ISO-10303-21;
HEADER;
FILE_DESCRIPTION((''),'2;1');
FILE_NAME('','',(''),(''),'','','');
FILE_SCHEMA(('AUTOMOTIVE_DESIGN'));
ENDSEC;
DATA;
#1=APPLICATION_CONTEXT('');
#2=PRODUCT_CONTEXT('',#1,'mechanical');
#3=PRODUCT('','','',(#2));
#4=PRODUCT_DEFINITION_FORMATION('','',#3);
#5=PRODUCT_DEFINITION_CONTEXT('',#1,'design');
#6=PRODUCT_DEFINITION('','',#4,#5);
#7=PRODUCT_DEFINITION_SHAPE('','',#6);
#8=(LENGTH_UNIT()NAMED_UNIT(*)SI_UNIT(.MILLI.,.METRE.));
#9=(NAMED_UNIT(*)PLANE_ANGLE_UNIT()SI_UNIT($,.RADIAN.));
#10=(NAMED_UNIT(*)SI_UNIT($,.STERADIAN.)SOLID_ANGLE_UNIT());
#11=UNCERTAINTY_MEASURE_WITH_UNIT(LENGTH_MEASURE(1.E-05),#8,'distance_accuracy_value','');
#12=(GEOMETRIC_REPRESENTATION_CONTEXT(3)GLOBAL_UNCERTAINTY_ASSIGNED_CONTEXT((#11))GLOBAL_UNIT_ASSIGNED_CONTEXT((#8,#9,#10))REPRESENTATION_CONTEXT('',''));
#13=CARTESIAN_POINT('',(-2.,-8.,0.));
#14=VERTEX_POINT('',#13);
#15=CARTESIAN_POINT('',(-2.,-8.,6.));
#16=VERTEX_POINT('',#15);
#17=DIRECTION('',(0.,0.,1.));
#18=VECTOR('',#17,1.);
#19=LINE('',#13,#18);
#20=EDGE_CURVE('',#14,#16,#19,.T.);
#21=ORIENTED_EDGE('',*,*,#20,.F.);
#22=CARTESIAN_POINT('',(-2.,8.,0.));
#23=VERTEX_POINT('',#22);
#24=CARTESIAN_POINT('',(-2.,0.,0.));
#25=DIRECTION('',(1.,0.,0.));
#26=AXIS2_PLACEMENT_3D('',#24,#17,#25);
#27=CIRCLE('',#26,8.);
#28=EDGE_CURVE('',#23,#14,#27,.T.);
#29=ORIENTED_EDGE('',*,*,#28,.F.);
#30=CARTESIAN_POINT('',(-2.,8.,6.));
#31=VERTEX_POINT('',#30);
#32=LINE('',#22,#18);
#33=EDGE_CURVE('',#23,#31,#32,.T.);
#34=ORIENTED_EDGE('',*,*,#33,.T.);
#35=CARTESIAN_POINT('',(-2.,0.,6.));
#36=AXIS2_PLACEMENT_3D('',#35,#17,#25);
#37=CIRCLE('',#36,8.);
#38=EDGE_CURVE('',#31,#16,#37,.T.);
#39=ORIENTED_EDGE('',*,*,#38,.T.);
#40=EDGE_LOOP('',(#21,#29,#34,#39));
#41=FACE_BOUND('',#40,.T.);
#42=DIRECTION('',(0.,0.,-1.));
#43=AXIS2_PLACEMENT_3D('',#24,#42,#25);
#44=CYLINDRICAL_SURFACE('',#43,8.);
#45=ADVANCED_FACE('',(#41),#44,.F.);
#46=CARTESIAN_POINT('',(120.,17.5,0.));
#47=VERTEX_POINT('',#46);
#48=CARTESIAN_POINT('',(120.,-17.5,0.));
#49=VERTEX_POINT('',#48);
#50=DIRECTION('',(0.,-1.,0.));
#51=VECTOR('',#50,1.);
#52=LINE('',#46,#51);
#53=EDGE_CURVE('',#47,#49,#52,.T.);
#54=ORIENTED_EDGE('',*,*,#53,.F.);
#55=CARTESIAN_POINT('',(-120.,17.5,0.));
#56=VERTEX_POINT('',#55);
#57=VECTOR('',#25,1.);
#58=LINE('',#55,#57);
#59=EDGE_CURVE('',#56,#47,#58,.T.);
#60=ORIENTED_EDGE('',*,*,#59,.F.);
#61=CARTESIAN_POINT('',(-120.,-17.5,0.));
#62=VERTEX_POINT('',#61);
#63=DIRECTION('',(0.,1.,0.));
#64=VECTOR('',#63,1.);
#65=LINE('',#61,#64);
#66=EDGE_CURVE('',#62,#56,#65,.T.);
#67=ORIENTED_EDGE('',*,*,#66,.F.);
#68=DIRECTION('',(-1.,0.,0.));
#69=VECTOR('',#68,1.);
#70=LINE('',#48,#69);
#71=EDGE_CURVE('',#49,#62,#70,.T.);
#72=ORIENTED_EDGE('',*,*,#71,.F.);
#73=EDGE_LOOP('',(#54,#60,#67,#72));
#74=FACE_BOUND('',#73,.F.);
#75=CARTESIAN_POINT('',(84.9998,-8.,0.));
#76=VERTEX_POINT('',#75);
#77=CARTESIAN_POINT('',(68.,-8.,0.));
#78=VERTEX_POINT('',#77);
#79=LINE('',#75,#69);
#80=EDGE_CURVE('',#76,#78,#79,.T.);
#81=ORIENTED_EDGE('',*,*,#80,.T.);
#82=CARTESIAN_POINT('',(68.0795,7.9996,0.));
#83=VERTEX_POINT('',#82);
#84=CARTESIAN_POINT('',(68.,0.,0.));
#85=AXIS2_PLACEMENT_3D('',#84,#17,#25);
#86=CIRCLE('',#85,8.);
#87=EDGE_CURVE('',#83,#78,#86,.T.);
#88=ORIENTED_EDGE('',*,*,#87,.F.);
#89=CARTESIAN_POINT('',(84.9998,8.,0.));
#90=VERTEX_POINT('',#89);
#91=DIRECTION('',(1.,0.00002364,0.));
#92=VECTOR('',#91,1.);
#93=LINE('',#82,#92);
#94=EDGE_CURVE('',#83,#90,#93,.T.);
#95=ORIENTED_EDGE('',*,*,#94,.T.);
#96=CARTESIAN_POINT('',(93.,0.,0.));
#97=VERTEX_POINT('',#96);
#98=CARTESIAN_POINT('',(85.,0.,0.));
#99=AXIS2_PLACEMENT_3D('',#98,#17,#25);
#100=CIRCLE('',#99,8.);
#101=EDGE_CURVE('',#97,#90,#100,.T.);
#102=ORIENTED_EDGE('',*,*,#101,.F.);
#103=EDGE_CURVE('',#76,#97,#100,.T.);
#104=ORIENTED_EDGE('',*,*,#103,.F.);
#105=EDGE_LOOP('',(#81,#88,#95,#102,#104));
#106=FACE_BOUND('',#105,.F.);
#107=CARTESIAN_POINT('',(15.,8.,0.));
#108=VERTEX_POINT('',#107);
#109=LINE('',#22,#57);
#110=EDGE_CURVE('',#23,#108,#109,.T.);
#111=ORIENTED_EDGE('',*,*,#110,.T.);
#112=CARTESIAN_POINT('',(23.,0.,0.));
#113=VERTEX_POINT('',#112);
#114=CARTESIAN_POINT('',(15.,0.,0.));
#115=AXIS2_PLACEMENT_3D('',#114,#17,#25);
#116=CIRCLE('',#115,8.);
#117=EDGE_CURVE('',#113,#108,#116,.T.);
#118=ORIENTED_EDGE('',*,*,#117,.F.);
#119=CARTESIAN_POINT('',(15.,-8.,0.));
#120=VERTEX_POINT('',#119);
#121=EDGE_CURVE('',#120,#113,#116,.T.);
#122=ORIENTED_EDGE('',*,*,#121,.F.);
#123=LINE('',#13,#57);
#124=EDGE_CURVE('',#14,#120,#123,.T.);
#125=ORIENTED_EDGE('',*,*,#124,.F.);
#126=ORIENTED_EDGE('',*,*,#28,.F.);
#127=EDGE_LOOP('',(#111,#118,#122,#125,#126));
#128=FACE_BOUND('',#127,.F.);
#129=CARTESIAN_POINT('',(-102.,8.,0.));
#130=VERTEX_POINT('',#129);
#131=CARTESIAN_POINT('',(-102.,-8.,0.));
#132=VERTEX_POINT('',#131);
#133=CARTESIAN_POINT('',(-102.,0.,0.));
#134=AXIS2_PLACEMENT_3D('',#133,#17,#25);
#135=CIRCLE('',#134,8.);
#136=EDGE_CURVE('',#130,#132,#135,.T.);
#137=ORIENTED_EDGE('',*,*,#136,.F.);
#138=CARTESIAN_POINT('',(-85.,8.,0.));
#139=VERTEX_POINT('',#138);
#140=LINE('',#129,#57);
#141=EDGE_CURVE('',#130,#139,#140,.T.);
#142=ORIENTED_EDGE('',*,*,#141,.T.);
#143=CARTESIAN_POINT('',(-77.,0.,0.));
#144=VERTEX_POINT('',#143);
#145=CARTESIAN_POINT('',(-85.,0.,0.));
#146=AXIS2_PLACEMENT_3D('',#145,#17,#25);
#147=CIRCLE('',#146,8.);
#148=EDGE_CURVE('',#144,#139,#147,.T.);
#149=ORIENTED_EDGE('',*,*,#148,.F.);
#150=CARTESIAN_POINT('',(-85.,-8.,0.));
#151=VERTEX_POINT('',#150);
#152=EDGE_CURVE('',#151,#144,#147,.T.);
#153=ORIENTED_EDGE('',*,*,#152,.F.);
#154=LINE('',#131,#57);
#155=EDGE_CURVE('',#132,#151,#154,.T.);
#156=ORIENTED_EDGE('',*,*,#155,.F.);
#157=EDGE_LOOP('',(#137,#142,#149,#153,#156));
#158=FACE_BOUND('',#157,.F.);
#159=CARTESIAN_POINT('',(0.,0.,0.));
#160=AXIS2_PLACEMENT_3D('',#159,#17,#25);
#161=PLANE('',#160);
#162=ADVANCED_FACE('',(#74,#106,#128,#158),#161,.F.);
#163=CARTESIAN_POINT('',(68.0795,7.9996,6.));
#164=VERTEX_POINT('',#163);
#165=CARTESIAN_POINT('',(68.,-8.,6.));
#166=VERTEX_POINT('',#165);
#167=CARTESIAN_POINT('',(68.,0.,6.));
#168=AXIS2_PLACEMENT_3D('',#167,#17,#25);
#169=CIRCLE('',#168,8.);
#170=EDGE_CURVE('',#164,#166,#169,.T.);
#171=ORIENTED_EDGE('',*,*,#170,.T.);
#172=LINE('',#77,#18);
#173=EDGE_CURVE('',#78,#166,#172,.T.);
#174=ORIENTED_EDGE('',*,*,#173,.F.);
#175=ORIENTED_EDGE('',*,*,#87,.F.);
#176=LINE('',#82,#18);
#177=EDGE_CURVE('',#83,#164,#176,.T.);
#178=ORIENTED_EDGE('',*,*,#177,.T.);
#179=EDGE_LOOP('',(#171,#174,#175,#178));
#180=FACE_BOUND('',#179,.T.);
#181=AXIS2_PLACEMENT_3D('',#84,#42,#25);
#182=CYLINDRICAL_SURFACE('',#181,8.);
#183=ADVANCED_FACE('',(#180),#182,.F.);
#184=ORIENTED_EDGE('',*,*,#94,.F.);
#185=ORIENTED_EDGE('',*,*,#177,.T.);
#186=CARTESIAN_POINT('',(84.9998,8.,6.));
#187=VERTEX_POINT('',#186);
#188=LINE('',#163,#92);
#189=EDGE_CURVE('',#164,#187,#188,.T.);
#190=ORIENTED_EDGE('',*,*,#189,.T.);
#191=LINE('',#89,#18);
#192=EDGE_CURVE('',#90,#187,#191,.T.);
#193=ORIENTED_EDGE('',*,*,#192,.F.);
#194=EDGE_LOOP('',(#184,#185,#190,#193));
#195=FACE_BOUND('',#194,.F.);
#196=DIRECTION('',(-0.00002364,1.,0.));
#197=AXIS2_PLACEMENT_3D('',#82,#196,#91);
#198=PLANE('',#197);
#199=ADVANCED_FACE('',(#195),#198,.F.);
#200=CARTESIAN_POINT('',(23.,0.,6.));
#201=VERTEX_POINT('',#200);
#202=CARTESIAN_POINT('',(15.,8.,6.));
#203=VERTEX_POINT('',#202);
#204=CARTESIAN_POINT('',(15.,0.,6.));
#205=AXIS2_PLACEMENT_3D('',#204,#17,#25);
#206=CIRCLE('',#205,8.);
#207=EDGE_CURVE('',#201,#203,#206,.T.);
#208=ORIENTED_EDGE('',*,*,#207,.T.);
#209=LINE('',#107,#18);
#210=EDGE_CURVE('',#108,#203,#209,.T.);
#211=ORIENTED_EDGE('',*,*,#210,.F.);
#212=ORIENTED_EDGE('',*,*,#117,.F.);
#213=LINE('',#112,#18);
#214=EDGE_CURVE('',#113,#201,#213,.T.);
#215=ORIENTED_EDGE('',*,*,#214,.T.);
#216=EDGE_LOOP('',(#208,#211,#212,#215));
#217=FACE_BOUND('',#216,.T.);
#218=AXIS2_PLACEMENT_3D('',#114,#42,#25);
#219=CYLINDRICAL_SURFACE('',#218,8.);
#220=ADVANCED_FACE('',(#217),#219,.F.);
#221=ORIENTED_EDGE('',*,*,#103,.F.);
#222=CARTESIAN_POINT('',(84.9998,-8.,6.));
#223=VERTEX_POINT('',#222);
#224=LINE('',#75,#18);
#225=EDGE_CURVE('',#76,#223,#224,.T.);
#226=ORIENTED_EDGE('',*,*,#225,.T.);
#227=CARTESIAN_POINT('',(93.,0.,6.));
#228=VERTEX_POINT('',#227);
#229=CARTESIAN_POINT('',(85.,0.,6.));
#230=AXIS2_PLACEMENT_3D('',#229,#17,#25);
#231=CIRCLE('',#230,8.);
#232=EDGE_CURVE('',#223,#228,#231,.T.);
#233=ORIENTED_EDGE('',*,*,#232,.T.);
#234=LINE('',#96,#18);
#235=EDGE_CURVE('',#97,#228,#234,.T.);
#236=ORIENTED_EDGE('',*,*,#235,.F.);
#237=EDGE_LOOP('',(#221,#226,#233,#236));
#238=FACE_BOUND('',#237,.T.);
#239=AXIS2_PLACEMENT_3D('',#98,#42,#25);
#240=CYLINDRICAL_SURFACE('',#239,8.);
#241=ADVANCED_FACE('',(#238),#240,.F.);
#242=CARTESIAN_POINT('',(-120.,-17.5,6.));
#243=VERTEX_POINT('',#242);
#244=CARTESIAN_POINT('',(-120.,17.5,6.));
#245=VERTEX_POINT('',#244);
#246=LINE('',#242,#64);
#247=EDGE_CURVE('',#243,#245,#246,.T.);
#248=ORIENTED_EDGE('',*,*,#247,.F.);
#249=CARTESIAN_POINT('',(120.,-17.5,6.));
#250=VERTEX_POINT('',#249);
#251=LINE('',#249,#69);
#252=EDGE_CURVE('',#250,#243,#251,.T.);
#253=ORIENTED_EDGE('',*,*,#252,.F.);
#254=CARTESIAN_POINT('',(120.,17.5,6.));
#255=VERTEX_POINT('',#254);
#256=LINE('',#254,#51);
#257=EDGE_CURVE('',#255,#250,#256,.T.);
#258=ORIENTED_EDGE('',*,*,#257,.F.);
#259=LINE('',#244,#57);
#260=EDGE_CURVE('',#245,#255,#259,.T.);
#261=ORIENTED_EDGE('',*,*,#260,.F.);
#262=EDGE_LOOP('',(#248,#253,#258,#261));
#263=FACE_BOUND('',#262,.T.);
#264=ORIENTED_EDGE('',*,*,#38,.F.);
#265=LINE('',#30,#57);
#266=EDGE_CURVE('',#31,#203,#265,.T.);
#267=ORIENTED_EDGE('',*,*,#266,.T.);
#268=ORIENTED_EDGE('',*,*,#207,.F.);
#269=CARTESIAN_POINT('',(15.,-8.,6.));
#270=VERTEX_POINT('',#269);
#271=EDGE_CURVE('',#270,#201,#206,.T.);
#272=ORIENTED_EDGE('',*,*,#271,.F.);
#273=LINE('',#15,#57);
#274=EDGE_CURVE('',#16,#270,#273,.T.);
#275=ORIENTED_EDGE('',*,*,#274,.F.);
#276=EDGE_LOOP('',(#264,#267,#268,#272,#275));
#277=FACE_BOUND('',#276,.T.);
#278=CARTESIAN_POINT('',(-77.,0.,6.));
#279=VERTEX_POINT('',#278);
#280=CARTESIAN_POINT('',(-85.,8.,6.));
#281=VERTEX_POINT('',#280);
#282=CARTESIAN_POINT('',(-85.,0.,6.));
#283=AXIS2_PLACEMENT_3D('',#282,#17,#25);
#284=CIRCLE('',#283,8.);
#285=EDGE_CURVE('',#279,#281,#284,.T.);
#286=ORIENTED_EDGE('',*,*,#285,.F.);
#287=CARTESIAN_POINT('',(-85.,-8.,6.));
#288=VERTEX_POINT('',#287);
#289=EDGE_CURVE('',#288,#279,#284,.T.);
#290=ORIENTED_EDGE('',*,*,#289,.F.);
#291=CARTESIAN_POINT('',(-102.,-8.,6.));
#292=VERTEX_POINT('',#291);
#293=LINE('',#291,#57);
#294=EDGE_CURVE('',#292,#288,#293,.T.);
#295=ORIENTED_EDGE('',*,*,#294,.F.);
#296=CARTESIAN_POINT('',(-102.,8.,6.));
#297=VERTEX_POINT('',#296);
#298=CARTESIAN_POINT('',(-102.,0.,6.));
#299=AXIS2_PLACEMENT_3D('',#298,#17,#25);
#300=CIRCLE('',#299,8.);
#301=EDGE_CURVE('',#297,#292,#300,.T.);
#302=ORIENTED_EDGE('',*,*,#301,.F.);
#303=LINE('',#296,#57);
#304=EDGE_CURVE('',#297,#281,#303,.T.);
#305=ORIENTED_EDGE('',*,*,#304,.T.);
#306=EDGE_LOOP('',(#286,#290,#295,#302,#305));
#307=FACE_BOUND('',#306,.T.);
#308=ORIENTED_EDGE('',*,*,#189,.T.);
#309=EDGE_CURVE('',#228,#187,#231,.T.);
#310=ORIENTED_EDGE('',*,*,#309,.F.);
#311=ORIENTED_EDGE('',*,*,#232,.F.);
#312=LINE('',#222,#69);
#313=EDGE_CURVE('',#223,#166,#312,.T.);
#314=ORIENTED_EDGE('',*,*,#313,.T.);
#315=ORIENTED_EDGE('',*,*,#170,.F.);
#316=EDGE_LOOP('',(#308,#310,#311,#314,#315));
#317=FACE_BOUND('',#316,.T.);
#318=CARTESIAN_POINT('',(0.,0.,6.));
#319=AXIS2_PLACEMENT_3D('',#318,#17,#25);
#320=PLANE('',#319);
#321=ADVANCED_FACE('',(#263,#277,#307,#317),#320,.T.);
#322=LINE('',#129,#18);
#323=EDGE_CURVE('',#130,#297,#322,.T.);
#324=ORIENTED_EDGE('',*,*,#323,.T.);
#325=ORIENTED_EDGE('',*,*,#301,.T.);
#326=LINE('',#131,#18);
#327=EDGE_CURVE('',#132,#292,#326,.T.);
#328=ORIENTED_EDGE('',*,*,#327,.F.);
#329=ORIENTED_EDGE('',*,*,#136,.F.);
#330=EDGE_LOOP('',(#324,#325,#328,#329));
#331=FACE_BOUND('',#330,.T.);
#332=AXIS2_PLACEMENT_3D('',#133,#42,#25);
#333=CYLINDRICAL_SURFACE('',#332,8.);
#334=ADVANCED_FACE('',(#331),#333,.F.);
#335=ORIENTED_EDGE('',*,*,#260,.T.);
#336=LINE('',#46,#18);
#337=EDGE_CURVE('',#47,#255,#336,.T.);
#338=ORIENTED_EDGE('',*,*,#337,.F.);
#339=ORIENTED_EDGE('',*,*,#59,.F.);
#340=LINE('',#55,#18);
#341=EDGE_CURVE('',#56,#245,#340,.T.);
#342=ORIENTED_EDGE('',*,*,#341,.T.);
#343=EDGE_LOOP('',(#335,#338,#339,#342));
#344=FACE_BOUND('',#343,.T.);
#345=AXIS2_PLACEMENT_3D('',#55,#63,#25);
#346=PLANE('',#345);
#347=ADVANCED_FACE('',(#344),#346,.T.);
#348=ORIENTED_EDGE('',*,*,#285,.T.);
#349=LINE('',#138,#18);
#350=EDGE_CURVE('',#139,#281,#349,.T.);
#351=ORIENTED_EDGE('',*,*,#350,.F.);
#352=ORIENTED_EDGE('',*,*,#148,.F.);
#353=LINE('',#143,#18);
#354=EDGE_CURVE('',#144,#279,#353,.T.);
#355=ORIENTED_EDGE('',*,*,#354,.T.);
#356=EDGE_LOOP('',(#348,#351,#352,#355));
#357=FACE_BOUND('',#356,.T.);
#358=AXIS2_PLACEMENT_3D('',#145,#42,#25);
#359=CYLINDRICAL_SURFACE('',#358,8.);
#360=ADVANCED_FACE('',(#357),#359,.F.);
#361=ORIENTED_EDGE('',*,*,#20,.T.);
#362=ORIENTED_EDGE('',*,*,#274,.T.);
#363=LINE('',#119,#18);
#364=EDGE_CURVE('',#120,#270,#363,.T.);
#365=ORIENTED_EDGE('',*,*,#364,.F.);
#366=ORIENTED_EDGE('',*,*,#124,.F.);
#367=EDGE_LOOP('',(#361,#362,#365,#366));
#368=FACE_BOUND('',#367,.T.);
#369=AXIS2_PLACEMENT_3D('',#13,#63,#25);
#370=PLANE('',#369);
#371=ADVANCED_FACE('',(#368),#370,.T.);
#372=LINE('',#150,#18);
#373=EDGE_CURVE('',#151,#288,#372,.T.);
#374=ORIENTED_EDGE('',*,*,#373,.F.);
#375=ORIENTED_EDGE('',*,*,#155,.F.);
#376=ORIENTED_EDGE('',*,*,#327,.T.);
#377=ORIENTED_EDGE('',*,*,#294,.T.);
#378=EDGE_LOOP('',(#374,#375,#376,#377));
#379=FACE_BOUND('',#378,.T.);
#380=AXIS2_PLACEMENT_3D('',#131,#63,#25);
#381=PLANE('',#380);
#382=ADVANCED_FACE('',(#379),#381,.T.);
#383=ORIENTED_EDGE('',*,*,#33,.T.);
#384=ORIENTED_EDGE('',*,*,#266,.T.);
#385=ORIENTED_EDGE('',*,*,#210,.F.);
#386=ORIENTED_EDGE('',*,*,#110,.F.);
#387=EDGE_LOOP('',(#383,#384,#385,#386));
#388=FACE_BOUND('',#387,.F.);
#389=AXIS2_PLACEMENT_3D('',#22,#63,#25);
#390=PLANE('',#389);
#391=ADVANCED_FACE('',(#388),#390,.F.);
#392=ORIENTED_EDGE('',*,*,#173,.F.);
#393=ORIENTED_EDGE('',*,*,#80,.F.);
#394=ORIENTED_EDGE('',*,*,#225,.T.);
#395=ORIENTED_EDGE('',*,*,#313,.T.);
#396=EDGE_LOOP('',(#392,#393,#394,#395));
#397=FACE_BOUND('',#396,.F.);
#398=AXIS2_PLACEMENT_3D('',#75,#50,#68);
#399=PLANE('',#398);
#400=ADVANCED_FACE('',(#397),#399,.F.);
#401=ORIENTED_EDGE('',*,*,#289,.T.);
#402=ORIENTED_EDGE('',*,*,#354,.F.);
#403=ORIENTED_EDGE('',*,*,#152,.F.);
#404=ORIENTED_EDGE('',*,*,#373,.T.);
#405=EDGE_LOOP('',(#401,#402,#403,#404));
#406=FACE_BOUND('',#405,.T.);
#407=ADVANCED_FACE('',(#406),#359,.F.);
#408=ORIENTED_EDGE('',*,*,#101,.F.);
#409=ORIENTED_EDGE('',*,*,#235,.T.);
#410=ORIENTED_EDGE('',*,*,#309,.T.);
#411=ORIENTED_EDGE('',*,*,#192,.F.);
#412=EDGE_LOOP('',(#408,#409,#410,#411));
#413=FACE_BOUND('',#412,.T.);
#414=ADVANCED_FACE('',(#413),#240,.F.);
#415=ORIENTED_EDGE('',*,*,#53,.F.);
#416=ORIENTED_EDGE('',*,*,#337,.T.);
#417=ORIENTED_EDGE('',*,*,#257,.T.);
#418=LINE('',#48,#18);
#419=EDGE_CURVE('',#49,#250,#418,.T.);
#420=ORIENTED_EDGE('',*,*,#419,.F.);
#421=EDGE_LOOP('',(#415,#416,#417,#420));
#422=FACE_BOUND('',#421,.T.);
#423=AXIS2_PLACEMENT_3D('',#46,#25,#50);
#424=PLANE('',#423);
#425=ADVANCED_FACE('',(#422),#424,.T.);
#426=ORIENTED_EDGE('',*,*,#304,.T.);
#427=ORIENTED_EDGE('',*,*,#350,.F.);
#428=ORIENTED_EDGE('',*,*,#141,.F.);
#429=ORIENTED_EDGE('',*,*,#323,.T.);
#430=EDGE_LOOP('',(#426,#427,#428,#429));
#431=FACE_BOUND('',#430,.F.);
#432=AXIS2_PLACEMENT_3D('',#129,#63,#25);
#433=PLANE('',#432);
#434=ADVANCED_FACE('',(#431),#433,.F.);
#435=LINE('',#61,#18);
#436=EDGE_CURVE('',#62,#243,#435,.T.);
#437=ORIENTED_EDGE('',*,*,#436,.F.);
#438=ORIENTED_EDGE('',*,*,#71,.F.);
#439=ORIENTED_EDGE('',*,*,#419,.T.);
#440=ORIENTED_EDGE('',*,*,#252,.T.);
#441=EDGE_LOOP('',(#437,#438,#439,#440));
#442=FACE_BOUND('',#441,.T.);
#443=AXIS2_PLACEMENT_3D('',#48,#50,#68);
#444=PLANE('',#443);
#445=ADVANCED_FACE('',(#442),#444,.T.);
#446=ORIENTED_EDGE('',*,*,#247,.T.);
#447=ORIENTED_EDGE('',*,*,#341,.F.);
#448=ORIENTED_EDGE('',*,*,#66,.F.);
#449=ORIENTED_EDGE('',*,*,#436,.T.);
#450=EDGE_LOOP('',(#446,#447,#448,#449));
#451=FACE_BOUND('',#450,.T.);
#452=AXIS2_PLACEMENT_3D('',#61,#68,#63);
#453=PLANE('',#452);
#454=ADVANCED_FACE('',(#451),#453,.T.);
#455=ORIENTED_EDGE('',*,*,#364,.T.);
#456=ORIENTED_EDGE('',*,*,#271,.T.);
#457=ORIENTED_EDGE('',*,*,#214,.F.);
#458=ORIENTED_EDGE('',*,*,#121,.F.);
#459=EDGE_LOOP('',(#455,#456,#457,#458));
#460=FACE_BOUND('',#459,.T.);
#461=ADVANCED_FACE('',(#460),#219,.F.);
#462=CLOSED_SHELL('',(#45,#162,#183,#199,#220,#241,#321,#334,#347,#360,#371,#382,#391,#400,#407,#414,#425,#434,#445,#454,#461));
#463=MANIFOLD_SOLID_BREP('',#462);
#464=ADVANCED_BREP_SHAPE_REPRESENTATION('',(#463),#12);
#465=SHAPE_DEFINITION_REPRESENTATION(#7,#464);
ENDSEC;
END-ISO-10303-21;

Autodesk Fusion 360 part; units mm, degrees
sketch "スケッチ1" plane through (0, 0, 0) normal (0, 0, 1) x (1, 0, 0)
  line L0 (120, -17.5) -> (-120, -17.5)
  line L1 (-120, -17.5) -> (-120, 17.5)
  line L2 (-120, 17.5) -> (120, 17.5)
  line L3 (120, 17.5) -> (120, -17.5)
  line L4 (120, -17.5) -> (-120, 17.5) construction
  line L5 (-120, -17.5) -> (120, 17.5) construction
  circle A0 centre (-102, 0) radius 8
  circle A1 centre (-2, 0) radius 8
  circle A2 centre (15, 0) radius 8
  line L6 (-2, -8) -> (15, -8)
  line L7 (-2, 8) -> (15, 8)
  circle A3 centre (68, 0) radius 8
  circle A4 centre (85, 0) radius 8
  line L8 (68.0795, 7.9996) -> (84.9998, 8)
  line L9 (84.9998, -8) -> (68, -8)
  circle A5 centre (-85, 0) radius 8
  line L10 (-102, 8) -> (-85, 8)
  line L11 (-102, -8) -> (-85, -8)
  point P0 (-110, 0)
  point P1 (-102, 0)
  point P2 (-94, 0)
  point P3 (-102, 8)
  point P4 (-10, 0)
  point P5 (23, 0)
  point P6 (-2, 0)
  point P7 (15, 0)
  point P8 (60, 0)
  point P9 (68, 0)
  point P10 (85, 0)
  point P11 (93, 0)
  point P12 (-77, 0)
  point P13 (-85, 0)
  dimension "d1" = 240
  dimension "d2" = 35
  dimension "d3" = 10
  dimension "d4" = 8
  dimension "d5" = 16
  dimension "d8" = 100
  dimension "d9" = 33
  dimension "d10" = 8
  dimension "d11" = 16
  dimension "d12" = 8
  dimension "d13" = 16
  dimension "d14" = 70
  dimension "d15" = 8
  dimension "d16" = 16
  dimension "d17" = 33
  dimension "d18" = 8
  dimension "d19" = 16
  dimension "d20" = 33
  dimension "d21" = 8
  dimension "d22" = 16
  dimension "d23" = 27
extrude "押し出し1" add sketch "スケッチ1" along normal blind 6
